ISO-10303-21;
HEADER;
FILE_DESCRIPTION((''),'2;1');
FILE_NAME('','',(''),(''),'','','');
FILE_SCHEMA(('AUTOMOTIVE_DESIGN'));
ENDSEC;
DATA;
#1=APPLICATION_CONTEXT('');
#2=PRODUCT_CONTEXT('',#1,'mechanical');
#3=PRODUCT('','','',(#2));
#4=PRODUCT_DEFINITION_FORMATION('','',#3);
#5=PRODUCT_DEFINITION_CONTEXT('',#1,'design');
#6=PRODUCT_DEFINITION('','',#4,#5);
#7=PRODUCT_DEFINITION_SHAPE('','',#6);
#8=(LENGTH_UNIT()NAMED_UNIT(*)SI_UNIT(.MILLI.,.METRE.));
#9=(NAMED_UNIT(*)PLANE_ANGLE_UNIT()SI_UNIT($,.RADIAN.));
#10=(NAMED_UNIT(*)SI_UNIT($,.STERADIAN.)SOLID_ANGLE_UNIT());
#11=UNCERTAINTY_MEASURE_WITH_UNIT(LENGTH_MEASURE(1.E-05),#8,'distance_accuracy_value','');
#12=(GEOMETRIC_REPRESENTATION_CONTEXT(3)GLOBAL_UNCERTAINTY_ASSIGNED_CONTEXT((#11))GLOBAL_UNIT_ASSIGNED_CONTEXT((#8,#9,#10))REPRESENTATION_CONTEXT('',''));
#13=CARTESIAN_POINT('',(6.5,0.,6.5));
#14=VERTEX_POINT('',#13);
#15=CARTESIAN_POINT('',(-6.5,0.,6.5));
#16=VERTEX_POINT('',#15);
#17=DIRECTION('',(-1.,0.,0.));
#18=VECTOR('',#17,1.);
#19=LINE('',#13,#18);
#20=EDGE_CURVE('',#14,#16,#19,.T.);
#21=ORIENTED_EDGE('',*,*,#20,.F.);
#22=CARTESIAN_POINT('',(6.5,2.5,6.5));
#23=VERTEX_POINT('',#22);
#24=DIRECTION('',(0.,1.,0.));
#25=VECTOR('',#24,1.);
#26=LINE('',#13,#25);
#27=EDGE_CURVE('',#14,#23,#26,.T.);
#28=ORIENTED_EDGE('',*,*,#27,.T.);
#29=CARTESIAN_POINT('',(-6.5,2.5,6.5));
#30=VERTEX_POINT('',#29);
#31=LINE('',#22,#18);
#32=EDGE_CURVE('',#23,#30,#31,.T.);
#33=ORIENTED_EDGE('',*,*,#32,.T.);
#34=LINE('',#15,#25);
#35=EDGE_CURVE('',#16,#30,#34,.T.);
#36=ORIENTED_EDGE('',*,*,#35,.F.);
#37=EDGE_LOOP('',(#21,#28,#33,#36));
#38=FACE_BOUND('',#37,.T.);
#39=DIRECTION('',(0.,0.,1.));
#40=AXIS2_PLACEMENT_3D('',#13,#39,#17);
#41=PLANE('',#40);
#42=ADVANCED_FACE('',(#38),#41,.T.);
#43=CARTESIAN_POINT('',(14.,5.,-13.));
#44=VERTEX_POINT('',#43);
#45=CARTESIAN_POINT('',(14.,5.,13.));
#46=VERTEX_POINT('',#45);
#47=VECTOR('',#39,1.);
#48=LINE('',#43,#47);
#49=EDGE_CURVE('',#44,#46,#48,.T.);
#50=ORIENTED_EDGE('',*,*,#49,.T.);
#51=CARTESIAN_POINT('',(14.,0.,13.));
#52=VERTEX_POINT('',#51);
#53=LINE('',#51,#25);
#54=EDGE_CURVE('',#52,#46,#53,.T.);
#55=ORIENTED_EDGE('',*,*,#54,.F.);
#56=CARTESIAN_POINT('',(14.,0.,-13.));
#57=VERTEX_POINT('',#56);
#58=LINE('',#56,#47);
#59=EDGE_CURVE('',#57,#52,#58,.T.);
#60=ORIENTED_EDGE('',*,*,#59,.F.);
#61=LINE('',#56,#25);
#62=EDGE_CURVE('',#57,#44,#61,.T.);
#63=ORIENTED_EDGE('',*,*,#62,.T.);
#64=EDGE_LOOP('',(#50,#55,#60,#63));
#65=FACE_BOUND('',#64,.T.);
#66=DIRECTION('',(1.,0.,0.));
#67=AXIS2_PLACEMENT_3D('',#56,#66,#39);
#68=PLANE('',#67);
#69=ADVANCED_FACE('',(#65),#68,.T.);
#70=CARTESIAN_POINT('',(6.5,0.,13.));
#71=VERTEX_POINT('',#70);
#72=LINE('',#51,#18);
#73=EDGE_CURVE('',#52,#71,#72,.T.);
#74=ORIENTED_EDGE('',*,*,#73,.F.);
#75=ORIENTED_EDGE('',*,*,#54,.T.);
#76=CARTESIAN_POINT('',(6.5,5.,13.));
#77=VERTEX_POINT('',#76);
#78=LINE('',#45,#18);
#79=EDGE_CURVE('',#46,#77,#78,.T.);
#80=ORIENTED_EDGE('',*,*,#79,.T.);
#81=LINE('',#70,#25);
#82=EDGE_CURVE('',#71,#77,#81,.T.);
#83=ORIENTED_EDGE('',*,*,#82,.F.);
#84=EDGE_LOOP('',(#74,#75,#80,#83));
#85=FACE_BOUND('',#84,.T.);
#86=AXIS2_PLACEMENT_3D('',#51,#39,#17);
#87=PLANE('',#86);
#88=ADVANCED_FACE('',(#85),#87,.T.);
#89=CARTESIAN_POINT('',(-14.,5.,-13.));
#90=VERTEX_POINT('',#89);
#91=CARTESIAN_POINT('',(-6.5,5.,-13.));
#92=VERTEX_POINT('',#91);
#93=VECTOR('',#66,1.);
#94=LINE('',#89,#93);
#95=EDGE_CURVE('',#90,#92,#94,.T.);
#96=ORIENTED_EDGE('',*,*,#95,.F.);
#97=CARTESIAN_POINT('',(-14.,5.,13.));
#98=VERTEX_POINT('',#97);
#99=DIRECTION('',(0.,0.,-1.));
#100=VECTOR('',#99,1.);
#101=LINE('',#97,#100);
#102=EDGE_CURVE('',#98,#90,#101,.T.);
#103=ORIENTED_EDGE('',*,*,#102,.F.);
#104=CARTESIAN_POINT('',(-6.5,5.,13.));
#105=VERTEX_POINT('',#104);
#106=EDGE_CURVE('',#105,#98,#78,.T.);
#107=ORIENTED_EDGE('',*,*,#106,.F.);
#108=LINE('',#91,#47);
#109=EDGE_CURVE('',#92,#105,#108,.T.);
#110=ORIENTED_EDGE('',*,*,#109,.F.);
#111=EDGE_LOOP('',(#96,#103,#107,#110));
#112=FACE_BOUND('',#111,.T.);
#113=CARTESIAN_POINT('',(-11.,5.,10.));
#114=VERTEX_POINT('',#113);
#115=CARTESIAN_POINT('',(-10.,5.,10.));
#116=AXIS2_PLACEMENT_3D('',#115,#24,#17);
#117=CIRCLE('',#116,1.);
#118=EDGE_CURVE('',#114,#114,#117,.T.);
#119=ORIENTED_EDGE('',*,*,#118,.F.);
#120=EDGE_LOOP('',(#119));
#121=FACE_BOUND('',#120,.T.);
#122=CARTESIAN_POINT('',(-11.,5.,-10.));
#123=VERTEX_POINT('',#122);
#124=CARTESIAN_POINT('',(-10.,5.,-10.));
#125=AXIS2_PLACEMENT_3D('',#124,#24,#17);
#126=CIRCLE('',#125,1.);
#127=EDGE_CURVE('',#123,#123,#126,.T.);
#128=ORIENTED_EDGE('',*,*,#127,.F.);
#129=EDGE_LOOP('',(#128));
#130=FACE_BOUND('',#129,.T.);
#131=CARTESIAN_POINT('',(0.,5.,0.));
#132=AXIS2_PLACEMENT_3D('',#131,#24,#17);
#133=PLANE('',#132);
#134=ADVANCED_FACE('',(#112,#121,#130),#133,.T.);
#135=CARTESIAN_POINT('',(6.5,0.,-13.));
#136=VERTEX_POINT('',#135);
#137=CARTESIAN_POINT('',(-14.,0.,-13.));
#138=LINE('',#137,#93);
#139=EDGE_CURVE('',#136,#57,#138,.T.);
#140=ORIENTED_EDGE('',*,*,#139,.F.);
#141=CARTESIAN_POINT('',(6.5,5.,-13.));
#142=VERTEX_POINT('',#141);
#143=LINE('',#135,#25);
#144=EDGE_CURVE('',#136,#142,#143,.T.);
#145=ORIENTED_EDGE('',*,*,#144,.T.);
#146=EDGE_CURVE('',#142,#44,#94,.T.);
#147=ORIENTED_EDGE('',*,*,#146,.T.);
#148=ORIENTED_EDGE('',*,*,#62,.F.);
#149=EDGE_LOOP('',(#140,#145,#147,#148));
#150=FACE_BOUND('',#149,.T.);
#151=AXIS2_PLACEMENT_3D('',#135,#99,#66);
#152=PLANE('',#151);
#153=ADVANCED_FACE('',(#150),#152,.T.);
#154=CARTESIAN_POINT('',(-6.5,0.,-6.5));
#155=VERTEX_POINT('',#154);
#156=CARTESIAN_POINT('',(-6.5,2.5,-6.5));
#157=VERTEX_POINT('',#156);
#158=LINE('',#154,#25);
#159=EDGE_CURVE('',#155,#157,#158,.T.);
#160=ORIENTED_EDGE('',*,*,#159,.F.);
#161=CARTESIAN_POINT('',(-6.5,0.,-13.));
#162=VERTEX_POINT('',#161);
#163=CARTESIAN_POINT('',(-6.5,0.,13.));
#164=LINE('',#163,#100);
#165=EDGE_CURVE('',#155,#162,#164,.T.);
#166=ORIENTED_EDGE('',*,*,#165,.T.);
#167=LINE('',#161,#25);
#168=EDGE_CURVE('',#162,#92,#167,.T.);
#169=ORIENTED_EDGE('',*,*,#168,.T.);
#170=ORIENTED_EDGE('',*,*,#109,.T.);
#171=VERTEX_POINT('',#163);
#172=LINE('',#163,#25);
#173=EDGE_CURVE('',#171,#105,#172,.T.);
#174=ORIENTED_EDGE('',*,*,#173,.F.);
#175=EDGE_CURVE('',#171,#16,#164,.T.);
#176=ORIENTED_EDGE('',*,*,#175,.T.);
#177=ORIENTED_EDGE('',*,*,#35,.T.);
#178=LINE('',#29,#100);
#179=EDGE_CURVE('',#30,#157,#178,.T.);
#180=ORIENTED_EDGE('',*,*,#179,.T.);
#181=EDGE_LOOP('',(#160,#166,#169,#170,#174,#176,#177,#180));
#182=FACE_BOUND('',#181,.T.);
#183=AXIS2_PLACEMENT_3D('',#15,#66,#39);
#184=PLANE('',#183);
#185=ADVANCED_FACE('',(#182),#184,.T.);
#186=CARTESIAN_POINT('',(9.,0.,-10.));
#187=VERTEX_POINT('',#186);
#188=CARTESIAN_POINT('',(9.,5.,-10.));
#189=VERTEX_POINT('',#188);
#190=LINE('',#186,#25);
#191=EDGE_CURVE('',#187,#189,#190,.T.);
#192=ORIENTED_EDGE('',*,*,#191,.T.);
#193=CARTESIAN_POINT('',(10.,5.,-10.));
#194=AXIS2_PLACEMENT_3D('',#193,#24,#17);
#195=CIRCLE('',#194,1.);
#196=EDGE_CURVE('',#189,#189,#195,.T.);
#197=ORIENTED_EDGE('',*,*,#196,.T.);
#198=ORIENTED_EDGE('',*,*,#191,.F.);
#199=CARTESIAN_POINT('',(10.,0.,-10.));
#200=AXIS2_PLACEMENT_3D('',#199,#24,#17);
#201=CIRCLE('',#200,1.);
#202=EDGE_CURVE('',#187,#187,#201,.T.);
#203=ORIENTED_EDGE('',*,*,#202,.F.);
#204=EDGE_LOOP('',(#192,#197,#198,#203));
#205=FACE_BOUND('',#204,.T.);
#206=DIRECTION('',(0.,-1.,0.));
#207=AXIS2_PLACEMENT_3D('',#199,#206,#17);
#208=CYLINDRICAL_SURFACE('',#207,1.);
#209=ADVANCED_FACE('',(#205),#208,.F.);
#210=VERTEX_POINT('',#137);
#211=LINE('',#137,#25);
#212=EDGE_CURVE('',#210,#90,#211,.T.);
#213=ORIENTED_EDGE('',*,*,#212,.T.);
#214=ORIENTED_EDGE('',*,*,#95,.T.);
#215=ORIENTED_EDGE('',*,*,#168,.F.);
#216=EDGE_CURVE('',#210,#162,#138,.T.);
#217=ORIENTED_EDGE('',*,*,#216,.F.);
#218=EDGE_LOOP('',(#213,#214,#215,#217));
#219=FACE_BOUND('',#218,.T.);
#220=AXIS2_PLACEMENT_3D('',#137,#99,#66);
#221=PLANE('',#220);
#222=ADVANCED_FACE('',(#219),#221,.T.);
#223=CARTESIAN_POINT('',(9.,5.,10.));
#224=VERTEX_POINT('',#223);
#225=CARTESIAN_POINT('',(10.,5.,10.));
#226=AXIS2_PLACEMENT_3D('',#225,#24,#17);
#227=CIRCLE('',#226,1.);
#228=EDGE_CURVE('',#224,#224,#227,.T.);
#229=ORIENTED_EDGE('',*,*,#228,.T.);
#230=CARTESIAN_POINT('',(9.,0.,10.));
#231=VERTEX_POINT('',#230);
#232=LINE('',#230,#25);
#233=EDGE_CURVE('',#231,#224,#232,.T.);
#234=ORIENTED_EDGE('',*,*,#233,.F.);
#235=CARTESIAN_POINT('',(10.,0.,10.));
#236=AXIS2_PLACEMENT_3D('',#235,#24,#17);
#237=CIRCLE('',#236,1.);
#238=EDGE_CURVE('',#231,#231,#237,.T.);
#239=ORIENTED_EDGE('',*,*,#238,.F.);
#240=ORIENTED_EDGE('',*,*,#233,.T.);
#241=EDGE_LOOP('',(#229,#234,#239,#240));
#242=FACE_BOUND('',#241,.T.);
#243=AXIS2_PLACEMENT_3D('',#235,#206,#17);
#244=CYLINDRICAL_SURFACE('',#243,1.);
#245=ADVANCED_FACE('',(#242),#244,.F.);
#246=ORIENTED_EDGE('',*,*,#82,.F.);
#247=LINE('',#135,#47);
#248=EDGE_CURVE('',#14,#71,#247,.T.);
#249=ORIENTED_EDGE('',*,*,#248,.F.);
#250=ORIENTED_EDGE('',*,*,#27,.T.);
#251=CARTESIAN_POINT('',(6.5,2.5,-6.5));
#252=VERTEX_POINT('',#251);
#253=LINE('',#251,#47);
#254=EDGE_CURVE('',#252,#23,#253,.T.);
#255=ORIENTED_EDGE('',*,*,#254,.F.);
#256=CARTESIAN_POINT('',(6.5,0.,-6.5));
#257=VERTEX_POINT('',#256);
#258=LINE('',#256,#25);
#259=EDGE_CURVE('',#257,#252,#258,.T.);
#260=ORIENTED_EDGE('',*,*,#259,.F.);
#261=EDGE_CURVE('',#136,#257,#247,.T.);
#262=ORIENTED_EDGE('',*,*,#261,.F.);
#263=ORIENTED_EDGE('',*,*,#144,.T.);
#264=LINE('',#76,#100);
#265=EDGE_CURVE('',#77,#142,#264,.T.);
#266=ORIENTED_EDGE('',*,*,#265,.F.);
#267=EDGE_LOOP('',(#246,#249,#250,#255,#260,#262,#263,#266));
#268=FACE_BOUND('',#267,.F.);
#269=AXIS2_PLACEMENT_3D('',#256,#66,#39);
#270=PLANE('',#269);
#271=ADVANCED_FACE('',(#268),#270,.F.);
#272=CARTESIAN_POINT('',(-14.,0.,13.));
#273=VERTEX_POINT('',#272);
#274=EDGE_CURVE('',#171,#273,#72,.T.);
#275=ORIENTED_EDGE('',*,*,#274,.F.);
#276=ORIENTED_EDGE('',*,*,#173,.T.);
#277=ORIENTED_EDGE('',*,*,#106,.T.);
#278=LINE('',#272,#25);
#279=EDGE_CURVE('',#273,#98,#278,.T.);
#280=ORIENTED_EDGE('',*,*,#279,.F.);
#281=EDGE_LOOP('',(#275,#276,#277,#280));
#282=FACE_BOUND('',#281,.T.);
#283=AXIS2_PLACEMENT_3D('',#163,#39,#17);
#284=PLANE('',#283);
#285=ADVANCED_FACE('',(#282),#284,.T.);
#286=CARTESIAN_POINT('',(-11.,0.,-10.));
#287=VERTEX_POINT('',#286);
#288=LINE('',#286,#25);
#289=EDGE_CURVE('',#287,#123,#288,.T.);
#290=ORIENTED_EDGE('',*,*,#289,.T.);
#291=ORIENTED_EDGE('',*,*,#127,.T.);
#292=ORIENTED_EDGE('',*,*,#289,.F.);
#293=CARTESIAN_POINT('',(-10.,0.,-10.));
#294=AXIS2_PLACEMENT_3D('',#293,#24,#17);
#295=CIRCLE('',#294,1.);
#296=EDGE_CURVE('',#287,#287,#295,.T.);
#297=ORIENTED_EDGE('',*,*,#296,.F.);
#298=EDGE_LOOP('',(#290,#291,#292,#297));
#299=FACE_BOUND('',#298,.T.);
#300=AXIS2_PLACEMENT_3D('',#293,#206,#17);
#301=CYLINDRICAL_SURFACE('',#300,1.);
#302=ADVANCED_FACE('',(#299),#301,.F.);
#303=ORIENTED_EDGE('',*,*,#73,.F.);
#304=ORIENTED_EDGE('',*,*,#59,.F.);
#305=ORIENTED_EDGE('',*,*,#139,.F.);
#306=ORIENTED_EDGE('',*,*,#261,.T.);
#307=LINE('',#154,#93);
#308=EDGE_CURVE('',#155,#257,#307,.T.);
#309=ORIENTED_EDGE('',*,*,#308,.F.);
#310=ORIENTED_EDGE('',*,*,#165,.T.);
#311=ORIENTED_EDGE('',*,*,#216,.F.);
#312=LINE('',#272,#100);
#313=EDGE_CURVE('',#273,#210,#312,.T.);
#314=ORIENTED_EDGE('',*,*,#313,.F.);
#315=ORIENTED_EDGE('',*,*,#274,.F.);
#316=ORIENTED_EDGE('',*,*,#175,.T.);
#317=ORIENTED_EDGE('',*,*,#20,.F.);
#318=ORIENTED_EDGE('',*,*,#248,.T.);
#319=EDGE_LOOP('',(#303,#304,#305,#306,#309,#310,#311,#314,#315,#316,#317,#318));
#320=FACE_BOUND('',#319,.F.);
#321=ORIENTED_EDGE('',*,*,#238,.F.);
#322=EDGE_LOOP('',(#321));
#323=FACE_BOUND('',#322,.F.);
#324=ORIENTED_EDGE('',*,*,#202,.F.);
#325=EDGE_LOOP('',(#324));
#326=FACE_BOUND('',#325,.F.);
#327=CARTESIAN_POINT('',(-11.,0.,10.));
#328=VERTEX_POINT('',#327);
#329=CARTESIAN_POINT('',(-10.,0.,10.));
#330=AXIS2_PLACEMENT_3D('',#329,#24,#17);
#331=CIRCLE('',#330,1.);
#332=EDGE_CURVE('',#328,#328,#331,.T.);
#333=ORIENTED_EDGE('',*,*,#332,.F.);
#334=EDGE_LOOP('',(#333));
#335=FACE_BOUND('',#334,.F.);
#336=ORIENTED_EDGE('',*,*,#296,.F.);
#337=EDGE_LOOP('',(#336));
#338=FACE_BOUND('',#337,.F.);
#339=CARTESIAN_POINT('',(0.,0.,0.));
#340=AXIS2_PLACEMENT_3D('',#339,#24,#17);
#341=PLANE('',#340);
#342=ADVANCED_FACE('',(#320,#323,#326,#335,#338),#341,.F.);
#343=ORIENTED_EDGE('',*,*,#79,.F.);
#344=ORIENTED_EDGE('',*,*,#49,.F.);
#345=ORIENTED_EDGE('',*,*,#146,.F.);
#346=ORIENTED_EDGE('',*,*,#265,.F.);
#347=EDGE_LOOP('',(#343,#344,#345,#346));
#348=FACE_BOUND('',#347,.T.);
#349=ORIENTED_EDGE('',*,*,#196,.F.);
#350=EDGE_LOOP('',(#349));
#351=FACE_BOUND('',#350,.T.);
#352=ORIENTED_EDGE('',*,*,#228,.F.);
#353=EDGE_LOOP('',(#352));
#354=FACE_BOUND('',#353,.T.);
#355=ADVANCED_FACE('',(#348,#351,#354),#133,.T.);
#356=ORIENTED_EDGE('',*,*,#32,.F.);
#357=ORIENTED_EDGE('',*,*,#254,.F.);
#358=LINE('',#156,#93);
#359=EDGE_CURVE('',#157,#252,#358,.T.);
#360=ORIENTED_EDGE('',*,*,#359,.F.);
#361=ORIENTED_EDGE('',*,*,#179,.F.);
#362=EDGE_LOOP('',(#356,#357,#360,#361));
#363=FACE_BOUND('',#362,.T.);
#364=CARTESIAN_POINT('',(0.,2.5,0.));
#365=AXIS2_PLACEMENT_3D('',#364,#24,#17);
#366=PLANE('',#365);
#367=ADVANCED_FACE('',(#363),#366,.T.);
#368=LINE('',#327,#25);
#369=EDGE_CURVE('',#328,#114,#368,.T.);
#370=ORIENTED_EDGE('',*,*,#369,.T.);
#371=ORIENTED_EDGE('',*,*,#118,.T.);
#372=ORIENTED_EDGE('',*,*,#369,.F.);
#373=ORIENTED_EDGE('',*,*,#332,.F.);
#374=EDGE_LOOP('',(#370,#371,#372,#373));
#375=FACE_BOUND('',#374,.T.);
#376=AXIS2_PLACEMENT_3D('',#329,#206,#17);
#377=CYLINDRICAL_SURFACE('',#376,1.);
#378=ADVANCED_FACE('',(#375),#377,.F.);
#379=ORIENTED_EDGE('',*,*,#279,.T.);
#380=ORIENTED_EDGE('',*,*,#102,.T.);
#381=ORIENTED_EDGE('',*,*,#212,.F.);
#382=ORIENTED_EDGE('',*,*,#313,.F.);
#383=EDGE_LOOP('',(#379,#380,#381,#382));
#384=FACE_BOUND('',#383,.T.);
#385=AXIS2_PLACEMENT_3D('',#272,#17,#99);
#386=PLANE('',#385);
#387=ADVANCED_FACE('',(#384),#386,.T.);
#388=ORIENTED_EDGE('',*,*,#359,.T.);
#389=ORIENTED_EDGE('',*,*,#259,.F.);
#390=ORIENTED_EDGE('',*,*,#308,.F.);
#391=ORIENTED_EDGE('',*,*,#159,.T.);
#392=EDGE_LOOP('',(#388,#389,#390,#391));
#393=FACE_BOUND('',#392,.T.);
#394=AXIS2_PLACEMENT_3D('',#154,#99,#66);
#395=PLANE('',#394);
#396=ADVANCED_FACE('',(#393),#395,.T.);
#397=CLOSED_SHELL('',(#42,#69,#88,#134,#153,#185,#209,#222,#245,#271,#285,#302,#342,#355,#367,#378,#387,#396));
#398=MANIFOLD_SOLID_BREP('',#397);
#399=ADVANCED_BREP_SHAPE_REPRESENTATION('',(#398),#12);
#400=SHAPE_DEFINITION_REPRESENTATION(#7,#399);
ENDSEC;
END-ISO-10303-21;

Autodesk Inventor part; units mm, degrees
ref_plane "YZ Plane" through (0, 0, 0) normal (1, 0, 0) x (0, 1, 0)
ref_plane "XZ Plane" through (0, 0, 0) normal (0, 1, 0) x (-1, 0, 0)
ref_plane "XY Plane" through (0, 0, 0) normal (0, 0, 1) x (1, 0, 0)
sketch "Sketch1" plane through (0, 0, 0) normal (0, 1, 0) x (-1, 0, 0)
  line L0 (-6.5, 6.5) -> (6.5, 6.5)
  line L1 (6.5, 6.5) -> (6.5, -6.5)
  line L2 (6.5, -6.5) -> (-6.5, -6.5)
  line L3 (-6.5, -6.5) -> (-6.5, 6.5)
  line L4 (-6.5, 6.5) -> (6.5, -6.5) construction
  line L5 (6.5, 6.5) -> (-6.5, -6.5) construction
  circle A0 centre (10, 10) radius 1
  circle A1 centre (10, -10) radius 1
  circle A2 centre (-10, 10) radius 1
  circle A3 centre (-10, -10) radius 1
  line L6 (-14, 13) -> (14, 13)
  line L7 (14, 13) -> (14, -13)
  line L8 (14, -13) -> (-14, -13)
  line L9 (-14, -13) -> (-14, 13)
  line L10 (-14, 13) -> (14, -13) construction
  line L11 (14, 13) -> (-14, -13) construction
  line L12 (6.5, 6.5) -> (6.5, 13)
  line L13 (-6.5, 6.5) -> (-6.5, 13)
  line L14 (-6.5, -6.5) -> (-6.5, -13)
  line L15 (6.5, -6.5) -> (6.5, -13)
  point P0 (0, 0)
  dimension "d0" = 13
  dimension "d1" = 13
  dimension "d2" = 2
  dimension "d3" = 3.5
  dimension "d4" = 3.5
  dimension "d5" = 3.5
  dimension "d6" = 3.5
  dimension "d9" = 28
  dimension "d10" = 26
extrude "Extrusion1" add sketch "Sketch1" along normal blind 5 contours L3 L14 L8 L9 L6 L13 | L12 L6 L7 L8 L15 L1
extrude "Extrusion2" add sketch "Sketch1" along normal blind 2.5 contours L0 L1 L2 L3
properties part number "PCB_Housing_08_V4"
